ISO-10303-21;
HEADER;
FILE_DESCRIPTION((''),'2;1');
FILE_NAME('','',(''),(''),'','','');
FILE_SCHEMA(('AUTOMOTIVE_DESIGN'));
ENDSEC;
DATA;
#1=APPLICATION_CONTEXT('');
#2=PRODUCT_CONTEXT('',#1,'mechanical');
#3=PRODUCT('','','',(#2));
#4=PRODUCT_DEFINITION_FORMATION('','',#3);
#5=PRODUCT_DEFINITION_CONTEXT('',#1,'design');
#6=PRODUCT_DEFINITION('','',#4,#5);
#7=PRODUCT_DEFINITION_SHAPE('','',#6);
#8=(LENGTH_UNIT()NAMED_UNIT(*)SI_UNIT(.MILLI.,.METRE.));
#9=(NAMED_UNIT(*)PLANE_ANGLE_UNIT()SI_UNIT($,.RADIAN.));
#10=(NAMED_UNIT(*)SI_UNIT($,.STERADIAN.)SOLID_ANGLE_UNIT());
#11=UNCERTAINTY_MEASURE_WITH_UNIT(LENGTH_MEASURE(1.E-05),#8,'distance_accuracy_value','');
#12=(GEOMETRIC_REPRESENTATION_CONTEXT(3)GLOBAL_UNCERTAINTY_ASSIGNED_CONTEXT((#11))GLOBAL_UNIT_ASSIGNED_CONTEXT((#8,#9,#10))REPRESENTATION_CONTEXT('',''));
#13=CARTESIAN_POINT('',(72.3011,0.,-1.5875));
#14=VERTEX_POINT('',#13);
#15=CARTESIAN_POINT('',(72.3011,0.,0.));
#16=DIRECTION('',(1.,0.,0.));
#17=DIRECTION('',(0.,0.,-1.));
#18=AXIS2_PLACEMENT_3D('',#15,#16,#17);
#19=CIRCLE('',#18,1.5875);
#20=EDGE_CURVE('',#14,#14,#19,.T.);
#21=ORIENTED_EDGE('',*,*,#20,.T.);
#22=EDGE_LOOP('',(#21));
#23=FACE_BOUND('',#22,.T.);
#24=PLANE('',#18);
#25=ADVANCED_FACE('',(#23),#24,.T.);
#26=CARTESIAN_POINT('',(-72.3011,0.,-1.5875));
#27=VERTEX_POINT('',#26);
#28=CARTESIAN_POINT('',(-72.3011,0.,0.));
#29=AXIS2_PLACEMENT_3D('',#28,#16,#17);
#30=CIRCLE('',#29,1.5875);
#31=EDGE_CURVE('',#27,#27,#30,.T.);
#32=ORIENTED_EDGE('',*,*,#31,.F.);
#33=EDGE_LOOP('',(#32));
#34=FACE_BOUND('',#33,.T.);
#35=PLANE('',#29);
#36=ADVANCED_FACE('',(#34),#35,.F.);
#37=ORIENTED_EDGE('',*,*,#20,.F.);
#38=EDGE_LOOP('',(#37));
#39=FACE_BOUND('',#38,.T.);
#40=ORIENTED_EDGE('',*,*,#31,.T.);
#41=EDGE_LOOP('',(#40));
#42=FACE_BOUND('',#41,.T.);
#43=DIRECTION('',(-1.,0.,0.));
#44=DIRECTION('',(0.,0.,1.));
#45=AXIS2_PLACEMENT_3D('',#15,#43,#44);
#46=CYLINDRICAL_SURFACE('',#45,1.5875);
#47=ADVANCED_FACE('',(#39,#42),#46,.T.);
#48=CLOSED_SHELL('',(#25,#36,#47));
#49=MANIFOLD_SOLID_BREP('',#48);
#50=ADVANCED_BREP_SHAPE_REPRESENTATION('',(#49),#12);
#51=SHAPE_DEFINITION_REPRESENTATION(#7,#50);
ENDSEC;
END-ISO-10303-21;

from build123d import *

# Parameters (mm, degrees)
SKETCH1_R           = 1.5875
BOSS_EXTRUDE1_DEPTH = 72.3011


with BuildPart() as part:
    # Sketch1 → Boss-Extrude1 (new body, symmetric)
    with BuildSketch(Plane(origin=(0, 0, 0), x_dir=(0, 0, -1), z_dir=(1, 0, 0))):
        Circle(SKETCH1_R)
    extrude(amount=BOSS_EXTRUDE1_DEPTH, both=True)


solid = part.part
